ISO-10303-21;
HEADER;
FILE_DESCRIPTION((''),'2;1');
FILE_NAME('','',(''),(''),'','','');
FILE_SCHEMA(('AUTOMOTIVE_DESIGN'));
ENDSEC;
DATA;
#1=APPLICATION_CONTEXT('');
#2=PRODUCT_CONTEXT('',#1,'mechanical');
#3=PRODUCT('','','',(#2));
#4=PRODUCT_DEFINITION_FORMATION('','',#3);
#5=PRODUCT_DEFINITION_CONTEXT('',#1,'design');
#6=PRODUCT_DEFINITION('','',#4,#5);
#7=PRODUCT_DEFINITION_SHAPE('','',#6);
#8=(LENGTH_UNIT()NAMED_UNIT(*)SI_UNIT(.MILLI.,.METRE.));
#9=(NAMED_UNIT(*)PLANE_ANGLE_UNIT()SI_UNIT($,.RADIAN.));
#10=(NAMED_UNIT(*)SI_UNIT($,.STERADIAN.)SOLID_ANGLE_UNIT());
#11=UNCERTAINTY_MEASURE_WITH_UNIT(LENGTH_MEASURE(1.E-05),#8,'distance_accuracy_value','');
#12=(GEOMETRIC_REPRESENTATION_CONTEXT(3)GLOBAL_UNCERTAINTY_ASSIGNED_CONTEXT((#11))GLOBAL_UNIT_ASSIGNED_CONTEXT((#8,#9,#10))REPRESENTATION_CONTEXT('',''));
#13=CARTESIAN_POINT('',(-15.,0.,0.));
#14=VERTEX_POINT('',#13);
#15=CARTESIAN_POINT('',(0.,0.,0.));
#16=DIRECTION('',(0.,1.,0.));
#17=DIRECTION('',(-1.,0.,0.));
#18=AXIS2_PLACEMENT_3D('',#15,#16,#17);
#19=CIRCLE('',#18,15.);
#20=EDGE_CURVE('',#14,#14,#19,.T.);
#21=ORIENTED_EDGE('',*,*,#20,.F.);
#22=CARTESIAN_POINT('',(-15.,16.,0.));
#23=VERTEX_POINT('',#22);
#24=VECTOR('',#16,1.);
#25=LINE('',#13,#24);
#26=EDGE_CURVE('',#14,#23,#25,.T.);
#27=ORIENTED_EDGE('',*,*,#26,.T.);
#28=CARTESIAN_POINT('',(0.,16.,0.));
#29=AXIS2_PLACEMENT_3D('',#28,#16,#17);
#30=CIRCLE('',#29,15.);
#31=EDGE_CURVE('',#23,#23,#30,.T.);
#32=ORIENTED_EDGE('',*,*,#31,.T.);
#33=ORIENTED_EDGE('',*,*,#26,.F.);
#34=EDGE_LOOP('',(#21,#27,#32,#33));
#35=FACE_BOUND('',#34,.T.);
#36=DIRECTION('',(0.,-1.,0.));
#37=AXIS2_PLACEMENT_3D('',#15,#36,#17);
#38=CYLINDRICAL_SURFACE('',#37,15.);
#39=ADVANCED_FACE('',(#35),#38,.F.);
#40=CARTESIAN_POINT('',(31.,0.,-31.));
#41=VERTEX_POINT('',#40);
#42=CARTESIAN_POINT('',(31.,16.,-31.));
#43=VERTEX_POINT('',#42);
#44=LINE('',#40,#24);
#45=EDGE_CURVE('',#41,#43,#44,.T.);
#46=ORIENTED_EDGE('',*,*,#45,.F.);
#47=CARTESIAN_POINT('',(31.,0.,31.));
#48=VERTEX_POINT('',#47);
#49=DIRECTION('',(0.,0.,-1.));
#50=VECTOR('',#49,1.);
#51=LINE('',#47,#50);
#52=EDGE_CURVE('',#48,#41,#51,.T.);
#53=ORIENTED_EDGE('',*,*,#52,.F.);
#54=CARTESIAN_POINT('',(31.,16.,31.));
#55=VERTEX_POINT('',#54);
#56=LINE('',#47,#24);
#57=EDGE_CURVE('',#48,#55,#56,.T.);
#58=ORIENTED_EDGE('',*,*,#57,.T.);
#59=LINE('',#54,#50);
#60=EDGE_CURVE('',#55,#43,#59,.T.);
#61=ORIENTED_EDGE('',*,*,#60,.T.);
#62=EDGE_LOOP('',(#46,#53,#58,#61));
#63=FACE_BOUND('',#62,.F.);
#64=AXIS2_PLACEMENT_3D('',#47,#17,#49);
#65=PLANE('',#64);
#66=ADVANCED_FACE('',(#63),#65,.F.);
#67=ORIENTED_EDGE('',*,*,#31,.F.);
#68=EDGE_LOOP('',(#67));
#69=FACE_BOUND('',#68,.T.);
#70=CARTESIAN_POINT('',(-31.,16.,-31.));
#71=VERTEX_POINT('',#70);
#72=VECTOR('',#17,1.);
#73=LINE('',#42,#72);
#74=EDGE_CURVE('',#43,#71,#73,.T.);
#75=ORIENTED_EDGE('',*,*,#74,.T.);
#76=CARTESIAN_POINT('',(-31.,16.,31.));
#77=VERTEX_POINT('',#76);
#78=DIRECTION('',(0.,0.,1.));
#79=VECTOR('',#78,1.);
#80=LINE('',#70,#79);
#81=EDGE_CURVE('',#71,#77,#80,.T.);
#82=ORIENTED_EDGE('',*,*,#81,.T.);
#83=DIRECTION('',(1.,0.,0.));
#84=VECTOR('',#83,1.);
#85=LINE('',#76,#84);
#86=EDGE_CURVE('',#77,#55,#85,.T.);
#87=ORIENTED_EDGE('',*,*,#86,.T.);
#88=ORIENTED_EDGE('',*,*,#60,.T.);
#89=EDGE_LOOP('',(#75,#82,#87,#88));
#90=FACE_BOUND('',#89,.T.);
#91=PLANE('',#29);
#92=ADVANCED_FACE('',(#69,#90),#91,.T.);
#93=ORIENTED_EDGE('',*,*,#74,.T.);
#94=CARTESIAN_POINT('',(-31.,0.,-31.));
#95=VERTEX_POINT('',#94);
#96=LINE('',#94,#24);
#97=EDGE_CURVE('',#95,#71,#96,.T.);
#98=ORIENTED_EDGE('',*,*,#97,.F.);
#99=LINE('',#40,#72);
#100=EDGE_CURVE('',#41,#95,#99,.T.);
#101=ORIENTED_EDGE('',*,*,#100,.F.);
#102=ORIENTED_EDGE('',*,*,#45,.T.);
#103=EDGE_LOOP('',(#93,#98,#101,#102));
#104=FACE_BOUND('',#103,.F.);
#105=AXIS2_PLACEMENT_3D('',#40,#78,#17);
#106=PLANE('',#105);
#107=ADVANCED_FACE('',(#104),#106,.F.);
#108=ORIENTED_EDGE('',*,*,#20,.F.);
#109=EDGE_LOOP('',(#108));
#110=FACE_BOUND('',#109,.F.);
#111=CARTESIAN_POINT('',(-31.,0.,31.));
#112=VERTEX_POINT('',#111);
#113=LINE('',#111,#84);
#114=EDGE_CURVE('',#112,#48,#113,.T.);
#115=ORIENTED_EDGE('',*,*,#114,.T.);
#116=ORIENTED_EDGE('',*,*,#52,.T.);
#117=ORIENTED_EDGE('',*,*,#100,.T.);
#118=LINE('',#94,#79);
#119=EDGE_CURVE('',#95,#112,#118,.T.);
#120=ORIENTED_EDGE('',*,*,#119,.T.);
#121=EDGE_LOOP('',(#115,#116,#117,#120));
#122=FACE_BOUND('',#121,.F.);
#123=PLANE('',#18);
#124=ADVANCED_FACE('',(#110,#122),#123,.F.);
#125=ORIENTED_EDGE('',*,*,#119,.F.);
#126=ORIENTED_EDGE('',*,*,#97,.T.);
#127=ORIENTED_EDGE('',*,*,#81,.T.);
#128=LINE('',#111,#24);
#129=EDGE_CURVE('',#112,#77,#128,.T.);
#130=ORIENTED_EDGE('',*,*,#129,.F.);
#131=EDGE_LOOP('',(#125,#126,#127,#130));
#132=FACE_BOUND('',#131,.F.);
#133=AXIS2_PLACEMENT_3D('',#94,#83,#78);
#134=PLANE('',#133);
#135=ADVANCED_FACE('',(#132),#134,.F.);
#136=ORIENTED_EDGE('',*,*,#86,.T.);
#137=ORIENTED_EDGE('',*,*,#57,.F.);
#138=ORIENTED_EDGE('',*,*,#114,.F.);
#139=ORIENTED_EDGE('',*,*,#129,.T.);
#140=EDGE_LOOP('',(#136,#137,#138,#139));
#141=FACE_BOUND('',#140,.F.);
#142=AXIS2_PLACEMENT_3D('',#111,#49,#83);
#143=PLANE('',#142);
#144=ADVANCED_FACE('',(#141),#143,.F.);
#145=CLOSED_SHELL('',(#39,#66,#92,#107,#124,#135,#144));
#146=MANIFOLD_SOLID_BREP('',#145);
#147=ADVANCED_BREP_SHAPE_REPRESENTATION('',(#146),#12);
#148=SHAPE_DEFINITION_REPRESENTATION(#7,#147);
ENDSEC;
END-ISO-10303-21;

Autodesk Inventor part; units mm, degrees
ref_plane "XZ Plane" through (0, 0, 0) normal (0, 1, 0) x (-1, 0, 0)
sketch "スケッチ1" plane through (0, 0, 0) normal (0, 1, 0) x (-1, 0, 0)
  circle A0 centre (0, 0) radius 15
  line L0 (31, 31) -> (-31, 31)
  line L1 (-31, 31) -> (-31, -31)
  line L2 (-31, -31) -> (31, -31)
  line L3 (31, -31) -> (31, 31)
  line L4 (31, 31) -> (-31, -31) construction
  line L5 (-31, 31) -> (31, -31) construction
  dimension "d0" = 30
  dimension "d1" = 62
  dimension "d2" = 62
extrude "押し出し1" add sketch "スケッチ1" along normal blind 16
properties part number "bearing2b"
